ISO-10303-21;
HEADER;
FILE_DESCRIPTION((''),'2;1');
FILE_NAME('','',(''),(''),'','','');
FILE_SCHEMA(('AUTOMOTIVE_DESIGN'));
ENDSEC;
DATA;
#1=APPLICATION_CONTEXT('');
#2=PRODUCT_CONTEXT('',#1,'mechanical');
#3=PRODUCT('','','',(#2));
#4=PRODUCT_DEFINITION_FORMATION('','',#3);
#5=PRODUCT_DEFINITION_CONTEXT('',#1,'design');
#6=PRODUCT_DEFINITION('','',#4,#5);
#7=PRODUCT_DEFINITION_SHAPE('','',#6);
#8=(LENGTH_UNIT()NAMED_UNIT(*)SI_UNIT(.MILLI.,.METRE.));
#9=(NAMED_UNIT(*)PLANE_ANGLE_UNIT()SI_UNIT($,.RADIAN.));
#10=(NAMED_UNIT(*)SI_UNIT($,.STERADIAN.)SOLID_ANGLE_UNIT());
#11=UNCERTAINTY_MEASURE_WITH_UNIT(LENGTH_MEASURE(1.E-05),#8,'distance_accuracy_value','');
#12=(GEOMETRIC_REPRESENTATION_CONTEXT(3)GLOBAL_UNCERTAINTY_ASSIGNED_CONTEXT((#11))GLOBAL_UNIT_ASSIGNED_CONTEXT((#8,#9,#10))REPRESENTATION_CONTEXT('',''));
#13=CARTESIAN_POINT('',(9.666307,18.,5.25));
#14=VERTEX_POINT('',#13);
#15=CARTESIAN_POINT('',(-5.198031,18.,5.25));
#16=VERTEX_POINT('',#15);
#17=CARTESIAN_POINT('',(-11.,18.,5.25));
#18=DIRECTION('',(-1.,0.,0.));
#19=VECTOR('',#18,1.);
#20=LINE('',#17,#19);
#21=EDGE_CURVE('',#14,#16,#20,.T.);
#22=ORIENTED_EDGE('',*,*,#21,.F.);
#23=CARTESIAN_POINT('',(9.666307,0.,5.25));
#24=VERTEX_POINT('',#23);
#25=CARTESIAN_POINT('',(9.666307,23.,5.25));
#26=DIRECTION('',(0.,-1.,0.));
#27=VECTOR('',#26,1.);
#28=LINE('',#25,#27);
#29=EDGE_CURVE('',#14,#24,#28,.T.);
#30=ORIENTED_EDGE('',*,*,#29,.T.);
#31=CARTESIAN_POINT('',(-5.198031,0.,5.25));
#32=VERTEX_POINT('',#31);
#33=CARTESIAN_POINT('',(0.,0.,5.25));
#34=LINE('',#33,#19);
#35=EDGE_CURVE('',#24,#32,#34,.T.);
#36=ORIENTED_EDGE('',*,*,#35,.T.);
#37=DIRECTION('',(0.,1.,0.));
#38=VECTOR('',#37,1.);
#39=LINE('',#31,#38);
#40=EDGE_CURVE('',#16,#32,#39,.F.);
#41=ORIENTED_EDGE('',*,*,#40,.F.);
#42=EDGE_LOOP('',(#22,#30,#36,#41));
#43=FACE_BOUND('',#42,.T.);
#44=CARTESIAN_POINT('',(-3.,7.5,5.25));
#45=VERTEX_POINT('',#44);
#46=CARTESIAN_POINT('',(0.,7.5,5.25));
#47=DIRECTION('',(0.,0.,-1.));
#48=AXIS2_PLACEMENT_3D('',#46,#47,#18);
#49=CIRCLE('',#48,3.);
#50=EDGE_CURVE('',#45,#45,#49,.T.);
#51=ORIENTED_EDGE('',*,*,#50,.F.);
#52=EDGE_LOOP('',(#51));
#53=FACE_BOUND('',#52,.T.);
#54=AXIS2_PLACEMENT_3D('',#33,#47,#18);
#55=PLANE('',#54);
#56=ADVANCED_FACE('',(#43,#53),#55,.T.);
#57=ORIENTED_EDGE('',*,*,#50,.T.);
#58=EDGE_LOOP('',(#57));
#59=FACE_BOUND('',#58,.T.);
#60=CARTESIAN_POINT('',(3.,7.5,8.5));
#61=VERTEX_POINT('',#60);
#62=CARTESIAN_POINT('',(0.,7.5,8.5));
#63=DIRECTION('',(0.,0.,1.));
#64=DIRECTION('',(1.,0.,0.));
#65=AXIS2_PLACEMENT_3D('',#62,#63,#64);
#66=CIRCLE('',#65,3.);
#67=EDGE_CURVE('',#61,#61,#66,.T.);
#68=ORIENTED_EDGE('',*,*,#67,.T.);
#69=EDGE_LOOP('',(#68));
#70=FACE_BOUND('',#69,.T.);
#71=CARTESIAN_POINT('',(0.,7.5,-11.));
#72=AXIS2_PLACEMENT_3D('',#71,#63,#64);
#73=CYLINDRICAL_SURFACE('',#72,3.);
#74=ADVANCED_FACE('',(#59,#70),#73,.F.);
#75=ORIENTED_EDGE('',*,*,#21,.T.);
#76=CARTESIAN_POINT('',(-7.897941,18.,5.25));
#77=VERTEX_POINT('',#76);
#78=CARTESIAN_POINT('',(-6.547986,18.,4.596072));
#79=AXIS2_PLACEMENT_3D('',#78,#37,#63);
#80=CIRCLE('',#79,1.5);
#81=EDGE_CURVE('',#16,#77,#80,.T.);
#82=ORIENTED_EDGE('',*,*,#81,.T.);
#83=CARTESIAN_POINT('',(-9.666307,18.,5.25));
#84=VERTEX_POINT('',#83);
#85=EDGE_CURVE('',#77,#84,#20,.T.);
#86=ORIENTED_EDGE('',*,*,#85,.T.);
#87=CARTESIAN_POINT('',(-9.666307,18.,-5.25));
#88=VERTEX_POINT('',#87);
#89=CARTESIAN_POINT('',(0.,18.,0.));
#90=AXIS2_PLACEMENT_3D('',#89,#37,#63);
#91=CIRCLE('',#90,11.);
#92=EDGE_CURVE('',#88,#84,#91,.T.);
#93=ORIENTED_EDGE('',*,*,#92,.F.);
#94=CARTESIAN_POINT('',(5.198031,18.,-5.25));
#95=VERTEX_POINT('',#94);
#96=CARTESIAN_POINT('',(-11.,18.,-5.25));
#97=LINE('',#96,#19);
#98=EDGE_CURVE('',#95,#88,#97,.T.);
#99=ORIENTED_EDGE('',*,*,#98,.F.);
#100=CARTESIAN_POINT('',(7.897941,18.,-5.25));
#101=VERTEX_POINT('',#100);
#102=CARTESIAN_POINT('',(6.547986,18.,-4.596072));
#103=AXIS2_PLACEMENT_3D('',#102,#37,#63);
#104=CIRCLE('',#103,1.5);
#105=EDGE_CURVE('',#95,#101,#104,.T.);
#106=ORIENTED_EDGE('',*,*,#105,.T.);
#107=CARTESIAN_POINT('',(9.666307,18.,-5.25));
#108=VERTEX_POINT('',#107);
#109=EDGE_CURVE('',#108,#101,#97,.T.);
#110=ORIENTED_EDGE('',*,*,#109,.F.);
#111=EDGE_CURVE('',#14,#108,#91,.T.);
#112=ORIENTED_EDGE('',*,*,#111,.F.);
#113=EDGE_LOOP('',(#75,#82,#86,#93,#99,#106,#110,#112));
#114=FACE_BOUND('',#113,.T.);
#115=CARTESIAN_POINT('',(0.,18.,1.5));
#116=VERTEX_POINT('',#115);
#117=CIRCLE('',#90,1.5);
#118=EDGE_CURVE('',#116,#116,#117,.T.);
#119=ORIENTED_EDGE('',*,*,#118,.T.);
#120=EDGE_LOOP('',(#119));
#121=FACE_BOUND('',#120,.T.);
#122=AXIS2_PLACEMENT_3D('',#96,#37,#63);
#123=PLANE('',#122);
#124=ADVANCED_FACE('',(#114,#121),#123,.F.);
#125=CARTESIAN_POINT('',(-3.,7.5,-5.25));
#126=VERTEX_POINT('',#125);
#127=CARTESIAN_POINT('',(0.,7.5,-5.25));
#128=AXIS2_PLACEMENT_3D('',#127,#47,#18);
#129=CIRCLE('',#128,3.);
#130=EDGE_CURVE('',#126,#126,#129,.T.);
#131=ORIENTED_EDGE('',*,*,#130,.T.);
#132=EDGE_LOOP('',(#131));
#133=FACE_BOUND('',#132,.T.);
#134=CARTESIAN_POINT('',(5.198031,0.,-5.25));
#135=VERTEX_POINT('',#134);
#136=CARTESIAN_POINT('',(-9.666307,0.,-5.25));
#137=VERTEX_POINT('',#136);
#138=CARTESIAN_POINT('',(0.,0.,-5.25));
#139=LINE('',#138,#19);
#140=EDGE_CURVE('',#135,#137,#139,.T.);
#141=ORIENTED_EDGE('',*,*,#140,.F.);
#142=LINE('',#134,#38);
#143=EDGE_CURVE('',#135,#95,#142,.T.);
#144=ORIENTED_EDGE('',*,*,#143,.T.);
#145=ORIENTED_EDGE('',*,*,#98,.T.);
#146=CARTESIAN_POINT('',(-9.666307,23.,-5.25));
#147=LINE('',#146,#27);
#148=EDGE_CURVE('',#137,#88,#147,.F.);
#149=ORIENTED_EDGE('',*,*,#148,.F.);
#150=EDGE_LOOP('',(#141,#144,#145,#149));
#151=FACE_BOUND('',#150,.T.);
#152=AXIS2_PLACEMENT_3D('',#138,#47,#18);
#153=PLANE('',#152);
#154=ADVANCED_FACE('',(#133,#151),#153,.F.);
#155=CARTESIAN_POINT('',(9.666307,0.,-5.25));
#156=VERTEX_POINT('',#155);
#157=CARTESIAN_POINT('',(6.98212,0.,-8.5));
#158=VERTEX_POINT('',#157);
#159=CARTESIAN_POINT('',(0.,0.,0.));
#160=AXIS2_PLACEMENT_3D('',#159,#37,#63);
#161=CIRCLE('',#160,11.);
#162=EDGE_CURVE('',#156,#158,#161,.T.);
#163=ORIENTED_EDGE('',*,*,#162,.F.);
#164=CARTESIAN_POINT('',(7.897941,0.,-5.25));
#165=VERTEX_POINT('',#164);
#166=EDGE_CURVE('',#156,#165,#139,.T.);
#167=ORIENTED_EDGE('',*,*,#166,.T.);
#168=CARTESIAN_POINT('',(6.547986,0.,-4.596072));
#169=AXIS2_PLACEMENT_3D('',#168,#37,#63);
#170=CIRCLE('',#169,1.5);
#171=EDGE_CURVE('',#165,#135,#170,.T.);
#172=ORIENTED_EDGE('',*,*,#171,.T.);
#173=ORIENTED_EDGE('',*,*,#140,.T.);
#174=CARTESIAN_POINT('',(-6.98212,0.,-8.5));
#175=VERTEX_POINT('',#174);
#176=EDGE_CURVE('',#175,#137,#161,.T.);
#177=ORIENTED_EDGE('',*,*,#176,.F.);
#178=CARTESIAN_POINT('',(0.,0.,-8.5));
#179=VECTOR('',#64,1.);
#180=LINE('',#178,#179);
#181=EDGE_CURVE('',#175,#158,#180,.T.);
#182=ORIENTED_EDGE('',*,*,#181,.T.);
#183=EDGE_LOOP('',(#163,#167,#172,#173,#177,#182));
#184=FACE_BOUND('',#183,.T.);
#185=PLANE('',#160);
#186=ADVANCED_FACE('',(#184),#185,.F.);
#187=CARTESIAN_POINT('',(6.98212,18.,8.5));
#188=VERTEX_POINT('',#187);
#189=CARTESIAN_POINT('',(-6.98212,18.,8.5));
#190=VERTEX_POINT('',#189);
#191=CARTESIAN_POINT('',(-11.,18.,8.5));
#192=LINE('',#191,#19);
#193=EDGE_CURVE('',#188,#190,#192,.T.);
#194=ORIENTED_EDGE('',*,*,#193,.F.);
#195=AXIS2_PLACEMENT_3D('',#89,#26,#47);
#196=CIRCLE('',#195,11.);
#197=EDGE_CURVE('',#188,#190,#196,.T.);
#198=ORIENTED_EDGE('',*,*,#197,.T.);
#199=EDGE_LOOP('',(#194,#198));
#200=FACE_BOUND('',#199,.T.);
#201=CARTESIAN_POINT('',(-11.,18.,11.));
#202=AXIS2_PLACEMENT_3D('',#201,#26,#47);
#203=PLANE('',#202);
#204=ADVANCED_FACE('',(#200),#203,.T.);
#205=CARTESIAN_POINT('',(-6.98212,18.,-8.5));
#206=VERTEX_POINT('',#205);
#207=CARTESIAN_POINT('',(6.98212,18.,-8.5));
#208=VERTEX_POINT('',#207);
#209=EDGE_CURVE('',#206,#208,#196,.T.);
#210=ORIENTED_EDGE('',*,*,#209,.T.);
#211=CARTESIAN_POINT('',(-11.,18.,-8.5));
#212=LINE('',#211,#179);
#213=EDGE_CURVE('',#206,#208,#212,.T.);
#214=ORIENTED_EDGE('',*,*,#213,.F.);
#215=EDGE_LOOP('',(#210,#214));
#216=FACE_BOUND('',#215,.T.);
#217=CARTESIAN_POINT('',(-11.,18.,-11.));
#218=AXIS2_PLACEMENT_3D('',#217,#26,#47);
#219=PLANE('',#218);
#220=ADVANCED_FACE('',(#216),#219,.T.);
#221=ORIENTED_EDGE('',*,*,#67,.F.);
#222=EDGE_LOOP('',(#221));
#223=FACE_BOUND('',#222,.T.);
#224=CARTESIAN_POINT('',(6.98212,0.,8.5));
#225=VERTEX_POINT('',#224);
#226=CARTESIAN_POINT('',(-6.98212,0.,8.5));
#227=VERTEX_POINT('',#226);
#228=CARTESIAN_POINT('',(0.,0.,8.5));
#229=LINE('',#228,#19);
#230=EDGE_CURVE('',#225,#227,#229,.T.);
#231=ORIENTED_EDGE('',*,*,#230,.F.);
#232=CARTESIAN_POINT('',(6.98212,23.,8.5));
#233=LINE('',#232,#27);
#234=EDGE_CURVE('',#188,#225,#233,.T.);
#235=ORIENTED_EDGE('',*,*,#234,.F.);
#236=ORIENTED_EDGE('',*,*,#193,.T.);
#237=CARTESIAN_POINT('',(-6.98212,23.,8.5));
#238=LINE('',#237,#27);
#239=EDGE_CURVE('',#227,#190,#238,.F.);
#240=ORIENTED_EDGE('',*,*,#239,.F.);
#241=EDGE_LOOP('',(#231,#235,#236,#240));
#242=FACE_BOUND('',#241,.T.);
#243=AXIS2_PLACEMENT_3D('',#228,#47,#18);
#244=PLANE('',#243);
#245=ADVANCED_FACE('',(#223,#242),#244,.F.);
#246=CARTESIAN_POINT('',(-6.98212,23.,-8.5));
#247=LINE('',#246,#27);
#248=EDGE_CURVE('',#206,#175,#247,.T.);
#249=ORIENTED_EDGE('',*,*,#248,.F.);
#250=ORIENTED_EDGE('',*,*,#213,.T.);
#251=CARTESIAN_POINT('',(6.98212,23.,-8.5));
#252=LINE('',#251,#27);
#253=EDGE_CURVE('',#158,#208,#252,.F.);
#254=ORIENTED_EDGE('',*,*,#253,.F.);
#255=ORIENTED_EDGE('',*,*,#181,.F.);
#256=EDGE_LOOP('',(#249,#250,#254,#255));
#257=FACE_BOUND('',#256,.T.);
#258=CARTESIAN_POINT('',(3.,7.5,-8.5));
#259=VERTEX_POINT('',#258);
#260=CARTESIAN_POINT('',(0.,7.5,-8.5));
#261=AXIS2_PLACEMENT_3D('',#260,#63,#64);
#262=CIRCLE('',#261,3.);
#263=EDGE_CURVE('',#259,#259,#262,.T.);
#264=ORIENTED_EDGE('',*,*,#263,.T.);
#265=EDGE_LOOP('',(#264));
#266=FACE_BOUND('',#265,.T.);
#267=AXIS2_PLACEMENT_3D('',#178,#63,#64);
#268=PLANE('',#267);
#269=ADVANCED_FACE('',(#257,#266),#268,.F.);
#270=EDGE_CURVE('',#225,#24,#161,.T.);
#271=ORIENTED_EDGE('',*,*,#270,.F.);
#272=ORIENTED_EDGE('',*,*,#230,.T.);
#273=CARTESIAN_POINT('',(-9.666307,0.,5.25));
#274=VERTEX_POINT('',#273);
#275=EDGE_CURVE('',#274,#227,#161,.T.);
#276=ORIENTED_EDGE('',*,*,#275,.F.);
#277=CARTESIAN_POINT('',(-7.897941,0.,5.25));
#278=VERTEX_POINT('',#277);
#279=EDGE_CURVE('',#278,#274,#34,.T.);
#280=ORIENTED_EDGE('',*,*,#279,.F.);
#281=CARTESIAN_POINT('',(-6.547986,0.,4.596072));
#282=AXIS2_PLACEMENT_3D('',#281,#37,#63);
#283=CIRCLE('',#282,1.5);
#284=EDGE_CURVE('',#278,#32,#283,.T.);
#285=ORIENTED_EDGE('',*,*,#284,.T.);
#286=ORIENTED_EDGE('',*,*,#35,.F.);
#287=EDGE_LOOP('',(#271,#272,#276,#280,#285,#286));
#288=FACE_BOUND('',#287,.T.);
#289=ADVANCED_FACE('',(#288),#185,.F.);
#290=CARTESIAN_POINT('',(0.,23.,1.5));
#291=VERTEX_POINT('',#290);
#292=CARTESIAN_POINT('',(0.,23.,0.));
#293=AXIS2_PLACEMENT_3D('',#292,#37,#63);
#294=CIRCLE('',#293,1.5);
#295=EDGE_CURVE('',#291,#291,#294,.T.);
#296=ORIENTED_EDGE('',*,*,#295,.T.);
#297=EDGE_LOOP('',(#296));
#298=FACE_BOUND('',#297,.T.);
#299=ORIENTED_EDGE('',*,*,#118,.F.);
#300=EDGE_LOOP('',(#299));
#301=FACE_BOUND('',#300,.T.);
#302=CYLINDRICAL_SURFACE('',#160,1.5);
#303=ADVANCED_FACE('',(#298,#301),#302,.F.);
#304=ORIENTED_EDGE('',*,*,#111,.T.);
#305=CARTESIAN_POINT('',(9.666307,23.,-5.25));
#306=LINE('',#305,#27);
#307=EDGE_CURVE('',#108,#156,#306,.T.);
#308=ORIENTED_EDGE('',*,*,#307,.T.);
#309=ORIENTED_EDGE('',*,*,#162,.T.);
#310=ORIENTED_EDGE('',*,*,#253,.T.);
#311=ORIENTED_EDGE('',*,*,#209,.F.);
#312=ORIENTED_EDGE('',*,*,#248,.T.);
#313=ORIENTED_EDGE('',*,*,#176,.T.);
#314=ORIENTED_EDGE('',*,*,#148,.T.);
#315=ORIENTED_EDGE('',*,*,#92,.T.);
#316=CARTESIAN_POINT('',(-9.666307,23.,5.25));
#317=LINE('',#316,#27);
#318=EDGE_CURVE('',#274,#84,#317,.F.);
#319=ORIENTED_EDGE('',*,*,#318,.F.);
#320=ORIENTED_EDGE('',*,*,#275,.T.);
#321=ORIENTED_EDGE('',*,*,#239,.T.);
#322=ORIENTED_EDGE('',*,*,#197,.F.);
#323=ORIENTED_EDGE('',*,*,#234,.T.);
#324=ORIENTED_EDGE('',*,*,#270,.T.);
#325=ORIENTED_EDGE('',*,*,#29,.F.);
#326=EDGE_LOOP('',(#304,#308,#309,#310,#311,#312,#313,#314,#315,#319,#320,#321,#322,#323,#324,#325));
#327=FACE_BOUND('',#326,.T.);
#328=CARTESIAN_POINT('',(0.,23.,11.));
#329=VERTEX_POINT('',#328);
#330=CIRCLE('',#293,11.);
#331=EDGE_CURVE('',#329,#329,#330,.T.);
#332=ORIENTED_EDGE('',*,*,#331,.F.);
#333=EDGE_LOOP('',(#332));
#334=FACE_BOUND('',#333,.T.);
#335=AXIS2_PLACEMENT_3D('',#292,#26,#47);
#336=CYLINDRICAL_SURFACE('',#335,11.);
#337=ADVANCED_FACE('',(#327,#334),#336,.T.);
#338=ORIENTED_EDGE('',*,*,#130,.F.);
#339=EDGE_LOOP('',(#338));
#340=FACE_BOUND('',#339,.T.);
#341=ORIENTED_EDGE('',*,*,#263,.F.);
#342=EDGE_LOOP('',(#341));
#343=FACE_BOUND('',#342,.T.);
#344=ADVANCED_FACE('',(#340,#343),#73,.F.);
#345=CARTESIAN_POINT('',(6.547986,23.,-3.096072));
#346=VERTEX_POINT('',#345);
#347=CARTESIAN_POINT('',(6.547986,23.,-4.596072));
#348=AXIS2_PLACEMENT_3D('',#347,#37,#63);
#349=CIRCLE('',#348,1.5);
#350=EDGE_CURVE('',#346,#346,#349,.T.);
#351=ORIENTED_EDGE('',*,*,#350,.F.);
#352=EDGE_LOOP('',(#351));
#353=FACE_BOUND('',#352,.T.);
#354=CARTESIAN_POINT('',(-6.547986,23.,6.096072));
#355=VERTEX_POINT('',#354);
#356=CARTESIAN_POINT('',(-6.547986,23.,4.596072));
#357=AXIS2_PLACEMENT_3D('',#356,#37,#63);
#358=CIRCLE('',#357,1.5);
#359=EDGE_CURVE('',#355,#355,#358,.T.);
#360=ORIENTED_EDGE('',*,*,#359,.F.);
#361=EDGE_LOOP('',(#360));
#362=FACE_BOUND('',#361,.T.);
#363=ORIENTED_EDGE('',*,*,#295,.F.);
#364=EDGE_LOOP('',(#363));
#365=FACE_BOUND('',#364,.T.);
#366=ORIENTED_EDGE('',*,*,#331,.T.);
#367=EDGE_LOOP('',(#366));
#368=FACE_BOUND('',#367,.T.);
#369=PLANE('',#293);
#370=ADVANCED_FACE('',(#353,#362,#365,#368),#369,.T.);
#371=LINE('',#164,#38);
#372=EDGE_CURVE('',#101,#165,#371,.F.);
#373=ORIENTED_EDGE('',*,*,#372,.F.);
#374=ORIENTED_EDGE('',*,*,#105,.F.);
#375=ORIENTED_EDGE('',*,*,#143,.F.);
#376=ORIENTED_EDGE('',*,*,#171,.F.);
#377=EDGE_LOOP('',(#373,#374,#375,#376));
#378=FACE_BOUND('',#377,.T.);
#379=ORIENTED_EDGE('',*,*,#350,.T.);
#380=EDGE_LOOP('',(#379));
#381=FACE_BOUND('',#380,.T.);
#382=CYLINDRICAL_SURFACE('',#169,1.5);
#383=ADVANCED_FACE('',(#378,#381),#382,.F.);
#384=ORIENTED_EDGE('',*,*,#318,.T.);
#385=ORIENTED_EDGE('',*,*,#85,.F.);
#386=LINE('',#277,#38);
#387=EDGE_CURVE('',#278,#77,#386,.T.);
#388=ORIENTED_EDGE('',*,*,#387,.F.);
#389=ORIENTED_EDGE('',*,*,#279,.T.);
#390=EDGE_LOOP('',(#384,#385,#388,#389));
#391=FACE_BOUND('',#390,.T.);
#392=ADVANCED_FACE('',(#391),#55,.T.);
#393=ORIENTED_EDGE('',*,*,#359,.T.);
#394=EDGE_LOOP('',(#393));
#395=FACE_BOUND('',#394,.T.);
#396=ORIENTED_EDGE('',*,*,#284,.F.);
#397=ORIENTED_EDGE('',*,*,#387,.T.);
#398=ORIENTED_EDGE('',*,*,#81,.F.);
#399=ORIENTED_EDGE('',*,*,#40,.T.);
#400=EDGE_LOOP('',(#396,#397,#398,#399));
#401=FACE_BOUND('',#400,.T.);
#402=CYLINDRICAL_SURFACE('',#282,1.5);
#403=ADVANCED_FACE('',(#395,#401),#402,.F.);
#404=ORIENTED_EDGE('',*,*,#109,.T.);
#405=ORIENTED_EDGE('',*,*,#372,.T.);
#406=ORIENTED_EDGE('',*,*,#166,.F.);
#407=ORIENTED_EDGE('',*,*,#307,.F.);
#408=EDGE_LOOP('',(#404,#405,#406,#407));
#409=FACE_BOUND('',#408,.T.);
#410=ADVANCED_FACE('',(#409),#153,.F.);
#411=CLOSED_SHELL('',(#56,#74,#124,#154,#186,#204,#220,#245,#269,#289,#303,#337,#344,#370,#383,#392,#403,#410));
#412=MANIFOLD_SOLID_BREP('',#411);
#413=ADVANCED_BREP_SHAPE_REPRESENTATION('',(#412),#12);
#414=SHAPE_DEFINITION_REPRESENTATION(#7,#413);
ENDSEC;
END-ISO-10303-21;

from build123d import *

# Parameters (mm, degrees)
SKETCH_2_R          = 11
EXTRUDE_1_DEPTH     = 23
CUT_EXTRUDE_START   = -8.5
SKETCH_3_W          = 30
SKETCH_3_H          = 18
CUT_EXTRUDE_1_DEPTH = 20.266886754
CUT_EXTRUDE_START_2 = 8.5
SKETCH_3_5_W        = 30
SKETCH_3_5_H        = 18
CUT_EXTRUDE_2_DEPTH = 20.266886754
SKETCH_3_6_W        = 30
SKETCH_3_6_H        = 18
CUT_EXTRUDE_3_DEPTH = 5.25
SKETCH_4_R          = 3
CUT_EXTRUDE_4_DEPTH = 33.097507691
SKETCH_6_R          = 1.5
CUT_EXTRUDE_5_DEPTH = 28.766886754
SKETCH_8_R          = 1.5
CUT_EXTRUDE_6_DEPTH = 28.766886754


with BuildPart() as part:
    # 草图2 → 凸台-拉伸1 (new body)
    with BuildSketch(Plane(origin=(0, 0, 0), x_dir=(1, 0, 0), z_dir=(0, 1, 0))):
        Circle(SKETCH_2_R)
    extrude(amount=EXTRUDE_1_DEPTH)

    # 草图3 → 切除-拉伸1 (cut, through all)
    with BuildSketch(Plane.XY.offset(CUT_EXTRUDE_START)):
        with Locations((4, 9)):
            Rectangle(SKETCH_3_W, SKETCH_3_H)
    extrude(amount=-CUT_EXTRUDE_1_DEPTH, mode=Mode.SUBTRACT)

    # 草图3<5> → 切除-拉伸2 (cut, through all)
    with BuildSketch(Plane.XY.offset(CUT_EXTRUDE_START_2)):
        with Locations((4, 9)):
            Rectangle(SKETCH_3_5_W, SKETCH_3_5_H)
    extrude(amount=CUT_EXTRUDE_2_DEPTH, mode=Mode.SUBTRACT)

    # 草图3<6> → 切除-拉伸3 (cut, symmetric)
    with BuildSketch(Plane.XY):
        with Locations((4, 9)):
            Rectangle(SKETCH_3_6_W, SKETCH_3_6_H)
    extrude(amount=CUT_EXTRUDE_3_DEPTH, both=True, mode=Mode.SUBTRACT)

    # 草图4 → 切除-拉伸4 (cut, through all)
    with BuildSketch(Plane.XY.offset(8.5)):
        with Locations((0, 7.5)):
            Circle(SKETCH_4_R)
    extrude(amount=-CUT_EXTRUDE_4_DEPTH, mode=Mode.SUBTRACT)

    # 草图6 → 切除-拉伸5 (cut, through all)
    with BuildSketch(Plane(origin=(0, 23, 0), x_dir=(1, 0, 0), z_dir=(0, 1, 0))):
        Circle(SKETCH_6_R)
    extrude(amount=-CUT_EXTRUDE_5_DEPTH, mode=Mode.SUBTRACT)

    # 草图8 → 切除-拉伸6 (cut, through all)
    with BuildSketch(Plane(origin=(0, 23, 0), x_dir=(1, 0, 0), z_dir=(0, 1, 0))):
        with Locations((-6.547985936, -4.596072256)):
            Circle(SKETCH_8_R)
        with Locations((6.547985936, 4.596072256)):
            Circle(SKETCH_8_R)
    extrude(amount=-CUT_EXTRUDE_6_DEPTH, mode=Mode.SUBTRACT)


solid = part.part
